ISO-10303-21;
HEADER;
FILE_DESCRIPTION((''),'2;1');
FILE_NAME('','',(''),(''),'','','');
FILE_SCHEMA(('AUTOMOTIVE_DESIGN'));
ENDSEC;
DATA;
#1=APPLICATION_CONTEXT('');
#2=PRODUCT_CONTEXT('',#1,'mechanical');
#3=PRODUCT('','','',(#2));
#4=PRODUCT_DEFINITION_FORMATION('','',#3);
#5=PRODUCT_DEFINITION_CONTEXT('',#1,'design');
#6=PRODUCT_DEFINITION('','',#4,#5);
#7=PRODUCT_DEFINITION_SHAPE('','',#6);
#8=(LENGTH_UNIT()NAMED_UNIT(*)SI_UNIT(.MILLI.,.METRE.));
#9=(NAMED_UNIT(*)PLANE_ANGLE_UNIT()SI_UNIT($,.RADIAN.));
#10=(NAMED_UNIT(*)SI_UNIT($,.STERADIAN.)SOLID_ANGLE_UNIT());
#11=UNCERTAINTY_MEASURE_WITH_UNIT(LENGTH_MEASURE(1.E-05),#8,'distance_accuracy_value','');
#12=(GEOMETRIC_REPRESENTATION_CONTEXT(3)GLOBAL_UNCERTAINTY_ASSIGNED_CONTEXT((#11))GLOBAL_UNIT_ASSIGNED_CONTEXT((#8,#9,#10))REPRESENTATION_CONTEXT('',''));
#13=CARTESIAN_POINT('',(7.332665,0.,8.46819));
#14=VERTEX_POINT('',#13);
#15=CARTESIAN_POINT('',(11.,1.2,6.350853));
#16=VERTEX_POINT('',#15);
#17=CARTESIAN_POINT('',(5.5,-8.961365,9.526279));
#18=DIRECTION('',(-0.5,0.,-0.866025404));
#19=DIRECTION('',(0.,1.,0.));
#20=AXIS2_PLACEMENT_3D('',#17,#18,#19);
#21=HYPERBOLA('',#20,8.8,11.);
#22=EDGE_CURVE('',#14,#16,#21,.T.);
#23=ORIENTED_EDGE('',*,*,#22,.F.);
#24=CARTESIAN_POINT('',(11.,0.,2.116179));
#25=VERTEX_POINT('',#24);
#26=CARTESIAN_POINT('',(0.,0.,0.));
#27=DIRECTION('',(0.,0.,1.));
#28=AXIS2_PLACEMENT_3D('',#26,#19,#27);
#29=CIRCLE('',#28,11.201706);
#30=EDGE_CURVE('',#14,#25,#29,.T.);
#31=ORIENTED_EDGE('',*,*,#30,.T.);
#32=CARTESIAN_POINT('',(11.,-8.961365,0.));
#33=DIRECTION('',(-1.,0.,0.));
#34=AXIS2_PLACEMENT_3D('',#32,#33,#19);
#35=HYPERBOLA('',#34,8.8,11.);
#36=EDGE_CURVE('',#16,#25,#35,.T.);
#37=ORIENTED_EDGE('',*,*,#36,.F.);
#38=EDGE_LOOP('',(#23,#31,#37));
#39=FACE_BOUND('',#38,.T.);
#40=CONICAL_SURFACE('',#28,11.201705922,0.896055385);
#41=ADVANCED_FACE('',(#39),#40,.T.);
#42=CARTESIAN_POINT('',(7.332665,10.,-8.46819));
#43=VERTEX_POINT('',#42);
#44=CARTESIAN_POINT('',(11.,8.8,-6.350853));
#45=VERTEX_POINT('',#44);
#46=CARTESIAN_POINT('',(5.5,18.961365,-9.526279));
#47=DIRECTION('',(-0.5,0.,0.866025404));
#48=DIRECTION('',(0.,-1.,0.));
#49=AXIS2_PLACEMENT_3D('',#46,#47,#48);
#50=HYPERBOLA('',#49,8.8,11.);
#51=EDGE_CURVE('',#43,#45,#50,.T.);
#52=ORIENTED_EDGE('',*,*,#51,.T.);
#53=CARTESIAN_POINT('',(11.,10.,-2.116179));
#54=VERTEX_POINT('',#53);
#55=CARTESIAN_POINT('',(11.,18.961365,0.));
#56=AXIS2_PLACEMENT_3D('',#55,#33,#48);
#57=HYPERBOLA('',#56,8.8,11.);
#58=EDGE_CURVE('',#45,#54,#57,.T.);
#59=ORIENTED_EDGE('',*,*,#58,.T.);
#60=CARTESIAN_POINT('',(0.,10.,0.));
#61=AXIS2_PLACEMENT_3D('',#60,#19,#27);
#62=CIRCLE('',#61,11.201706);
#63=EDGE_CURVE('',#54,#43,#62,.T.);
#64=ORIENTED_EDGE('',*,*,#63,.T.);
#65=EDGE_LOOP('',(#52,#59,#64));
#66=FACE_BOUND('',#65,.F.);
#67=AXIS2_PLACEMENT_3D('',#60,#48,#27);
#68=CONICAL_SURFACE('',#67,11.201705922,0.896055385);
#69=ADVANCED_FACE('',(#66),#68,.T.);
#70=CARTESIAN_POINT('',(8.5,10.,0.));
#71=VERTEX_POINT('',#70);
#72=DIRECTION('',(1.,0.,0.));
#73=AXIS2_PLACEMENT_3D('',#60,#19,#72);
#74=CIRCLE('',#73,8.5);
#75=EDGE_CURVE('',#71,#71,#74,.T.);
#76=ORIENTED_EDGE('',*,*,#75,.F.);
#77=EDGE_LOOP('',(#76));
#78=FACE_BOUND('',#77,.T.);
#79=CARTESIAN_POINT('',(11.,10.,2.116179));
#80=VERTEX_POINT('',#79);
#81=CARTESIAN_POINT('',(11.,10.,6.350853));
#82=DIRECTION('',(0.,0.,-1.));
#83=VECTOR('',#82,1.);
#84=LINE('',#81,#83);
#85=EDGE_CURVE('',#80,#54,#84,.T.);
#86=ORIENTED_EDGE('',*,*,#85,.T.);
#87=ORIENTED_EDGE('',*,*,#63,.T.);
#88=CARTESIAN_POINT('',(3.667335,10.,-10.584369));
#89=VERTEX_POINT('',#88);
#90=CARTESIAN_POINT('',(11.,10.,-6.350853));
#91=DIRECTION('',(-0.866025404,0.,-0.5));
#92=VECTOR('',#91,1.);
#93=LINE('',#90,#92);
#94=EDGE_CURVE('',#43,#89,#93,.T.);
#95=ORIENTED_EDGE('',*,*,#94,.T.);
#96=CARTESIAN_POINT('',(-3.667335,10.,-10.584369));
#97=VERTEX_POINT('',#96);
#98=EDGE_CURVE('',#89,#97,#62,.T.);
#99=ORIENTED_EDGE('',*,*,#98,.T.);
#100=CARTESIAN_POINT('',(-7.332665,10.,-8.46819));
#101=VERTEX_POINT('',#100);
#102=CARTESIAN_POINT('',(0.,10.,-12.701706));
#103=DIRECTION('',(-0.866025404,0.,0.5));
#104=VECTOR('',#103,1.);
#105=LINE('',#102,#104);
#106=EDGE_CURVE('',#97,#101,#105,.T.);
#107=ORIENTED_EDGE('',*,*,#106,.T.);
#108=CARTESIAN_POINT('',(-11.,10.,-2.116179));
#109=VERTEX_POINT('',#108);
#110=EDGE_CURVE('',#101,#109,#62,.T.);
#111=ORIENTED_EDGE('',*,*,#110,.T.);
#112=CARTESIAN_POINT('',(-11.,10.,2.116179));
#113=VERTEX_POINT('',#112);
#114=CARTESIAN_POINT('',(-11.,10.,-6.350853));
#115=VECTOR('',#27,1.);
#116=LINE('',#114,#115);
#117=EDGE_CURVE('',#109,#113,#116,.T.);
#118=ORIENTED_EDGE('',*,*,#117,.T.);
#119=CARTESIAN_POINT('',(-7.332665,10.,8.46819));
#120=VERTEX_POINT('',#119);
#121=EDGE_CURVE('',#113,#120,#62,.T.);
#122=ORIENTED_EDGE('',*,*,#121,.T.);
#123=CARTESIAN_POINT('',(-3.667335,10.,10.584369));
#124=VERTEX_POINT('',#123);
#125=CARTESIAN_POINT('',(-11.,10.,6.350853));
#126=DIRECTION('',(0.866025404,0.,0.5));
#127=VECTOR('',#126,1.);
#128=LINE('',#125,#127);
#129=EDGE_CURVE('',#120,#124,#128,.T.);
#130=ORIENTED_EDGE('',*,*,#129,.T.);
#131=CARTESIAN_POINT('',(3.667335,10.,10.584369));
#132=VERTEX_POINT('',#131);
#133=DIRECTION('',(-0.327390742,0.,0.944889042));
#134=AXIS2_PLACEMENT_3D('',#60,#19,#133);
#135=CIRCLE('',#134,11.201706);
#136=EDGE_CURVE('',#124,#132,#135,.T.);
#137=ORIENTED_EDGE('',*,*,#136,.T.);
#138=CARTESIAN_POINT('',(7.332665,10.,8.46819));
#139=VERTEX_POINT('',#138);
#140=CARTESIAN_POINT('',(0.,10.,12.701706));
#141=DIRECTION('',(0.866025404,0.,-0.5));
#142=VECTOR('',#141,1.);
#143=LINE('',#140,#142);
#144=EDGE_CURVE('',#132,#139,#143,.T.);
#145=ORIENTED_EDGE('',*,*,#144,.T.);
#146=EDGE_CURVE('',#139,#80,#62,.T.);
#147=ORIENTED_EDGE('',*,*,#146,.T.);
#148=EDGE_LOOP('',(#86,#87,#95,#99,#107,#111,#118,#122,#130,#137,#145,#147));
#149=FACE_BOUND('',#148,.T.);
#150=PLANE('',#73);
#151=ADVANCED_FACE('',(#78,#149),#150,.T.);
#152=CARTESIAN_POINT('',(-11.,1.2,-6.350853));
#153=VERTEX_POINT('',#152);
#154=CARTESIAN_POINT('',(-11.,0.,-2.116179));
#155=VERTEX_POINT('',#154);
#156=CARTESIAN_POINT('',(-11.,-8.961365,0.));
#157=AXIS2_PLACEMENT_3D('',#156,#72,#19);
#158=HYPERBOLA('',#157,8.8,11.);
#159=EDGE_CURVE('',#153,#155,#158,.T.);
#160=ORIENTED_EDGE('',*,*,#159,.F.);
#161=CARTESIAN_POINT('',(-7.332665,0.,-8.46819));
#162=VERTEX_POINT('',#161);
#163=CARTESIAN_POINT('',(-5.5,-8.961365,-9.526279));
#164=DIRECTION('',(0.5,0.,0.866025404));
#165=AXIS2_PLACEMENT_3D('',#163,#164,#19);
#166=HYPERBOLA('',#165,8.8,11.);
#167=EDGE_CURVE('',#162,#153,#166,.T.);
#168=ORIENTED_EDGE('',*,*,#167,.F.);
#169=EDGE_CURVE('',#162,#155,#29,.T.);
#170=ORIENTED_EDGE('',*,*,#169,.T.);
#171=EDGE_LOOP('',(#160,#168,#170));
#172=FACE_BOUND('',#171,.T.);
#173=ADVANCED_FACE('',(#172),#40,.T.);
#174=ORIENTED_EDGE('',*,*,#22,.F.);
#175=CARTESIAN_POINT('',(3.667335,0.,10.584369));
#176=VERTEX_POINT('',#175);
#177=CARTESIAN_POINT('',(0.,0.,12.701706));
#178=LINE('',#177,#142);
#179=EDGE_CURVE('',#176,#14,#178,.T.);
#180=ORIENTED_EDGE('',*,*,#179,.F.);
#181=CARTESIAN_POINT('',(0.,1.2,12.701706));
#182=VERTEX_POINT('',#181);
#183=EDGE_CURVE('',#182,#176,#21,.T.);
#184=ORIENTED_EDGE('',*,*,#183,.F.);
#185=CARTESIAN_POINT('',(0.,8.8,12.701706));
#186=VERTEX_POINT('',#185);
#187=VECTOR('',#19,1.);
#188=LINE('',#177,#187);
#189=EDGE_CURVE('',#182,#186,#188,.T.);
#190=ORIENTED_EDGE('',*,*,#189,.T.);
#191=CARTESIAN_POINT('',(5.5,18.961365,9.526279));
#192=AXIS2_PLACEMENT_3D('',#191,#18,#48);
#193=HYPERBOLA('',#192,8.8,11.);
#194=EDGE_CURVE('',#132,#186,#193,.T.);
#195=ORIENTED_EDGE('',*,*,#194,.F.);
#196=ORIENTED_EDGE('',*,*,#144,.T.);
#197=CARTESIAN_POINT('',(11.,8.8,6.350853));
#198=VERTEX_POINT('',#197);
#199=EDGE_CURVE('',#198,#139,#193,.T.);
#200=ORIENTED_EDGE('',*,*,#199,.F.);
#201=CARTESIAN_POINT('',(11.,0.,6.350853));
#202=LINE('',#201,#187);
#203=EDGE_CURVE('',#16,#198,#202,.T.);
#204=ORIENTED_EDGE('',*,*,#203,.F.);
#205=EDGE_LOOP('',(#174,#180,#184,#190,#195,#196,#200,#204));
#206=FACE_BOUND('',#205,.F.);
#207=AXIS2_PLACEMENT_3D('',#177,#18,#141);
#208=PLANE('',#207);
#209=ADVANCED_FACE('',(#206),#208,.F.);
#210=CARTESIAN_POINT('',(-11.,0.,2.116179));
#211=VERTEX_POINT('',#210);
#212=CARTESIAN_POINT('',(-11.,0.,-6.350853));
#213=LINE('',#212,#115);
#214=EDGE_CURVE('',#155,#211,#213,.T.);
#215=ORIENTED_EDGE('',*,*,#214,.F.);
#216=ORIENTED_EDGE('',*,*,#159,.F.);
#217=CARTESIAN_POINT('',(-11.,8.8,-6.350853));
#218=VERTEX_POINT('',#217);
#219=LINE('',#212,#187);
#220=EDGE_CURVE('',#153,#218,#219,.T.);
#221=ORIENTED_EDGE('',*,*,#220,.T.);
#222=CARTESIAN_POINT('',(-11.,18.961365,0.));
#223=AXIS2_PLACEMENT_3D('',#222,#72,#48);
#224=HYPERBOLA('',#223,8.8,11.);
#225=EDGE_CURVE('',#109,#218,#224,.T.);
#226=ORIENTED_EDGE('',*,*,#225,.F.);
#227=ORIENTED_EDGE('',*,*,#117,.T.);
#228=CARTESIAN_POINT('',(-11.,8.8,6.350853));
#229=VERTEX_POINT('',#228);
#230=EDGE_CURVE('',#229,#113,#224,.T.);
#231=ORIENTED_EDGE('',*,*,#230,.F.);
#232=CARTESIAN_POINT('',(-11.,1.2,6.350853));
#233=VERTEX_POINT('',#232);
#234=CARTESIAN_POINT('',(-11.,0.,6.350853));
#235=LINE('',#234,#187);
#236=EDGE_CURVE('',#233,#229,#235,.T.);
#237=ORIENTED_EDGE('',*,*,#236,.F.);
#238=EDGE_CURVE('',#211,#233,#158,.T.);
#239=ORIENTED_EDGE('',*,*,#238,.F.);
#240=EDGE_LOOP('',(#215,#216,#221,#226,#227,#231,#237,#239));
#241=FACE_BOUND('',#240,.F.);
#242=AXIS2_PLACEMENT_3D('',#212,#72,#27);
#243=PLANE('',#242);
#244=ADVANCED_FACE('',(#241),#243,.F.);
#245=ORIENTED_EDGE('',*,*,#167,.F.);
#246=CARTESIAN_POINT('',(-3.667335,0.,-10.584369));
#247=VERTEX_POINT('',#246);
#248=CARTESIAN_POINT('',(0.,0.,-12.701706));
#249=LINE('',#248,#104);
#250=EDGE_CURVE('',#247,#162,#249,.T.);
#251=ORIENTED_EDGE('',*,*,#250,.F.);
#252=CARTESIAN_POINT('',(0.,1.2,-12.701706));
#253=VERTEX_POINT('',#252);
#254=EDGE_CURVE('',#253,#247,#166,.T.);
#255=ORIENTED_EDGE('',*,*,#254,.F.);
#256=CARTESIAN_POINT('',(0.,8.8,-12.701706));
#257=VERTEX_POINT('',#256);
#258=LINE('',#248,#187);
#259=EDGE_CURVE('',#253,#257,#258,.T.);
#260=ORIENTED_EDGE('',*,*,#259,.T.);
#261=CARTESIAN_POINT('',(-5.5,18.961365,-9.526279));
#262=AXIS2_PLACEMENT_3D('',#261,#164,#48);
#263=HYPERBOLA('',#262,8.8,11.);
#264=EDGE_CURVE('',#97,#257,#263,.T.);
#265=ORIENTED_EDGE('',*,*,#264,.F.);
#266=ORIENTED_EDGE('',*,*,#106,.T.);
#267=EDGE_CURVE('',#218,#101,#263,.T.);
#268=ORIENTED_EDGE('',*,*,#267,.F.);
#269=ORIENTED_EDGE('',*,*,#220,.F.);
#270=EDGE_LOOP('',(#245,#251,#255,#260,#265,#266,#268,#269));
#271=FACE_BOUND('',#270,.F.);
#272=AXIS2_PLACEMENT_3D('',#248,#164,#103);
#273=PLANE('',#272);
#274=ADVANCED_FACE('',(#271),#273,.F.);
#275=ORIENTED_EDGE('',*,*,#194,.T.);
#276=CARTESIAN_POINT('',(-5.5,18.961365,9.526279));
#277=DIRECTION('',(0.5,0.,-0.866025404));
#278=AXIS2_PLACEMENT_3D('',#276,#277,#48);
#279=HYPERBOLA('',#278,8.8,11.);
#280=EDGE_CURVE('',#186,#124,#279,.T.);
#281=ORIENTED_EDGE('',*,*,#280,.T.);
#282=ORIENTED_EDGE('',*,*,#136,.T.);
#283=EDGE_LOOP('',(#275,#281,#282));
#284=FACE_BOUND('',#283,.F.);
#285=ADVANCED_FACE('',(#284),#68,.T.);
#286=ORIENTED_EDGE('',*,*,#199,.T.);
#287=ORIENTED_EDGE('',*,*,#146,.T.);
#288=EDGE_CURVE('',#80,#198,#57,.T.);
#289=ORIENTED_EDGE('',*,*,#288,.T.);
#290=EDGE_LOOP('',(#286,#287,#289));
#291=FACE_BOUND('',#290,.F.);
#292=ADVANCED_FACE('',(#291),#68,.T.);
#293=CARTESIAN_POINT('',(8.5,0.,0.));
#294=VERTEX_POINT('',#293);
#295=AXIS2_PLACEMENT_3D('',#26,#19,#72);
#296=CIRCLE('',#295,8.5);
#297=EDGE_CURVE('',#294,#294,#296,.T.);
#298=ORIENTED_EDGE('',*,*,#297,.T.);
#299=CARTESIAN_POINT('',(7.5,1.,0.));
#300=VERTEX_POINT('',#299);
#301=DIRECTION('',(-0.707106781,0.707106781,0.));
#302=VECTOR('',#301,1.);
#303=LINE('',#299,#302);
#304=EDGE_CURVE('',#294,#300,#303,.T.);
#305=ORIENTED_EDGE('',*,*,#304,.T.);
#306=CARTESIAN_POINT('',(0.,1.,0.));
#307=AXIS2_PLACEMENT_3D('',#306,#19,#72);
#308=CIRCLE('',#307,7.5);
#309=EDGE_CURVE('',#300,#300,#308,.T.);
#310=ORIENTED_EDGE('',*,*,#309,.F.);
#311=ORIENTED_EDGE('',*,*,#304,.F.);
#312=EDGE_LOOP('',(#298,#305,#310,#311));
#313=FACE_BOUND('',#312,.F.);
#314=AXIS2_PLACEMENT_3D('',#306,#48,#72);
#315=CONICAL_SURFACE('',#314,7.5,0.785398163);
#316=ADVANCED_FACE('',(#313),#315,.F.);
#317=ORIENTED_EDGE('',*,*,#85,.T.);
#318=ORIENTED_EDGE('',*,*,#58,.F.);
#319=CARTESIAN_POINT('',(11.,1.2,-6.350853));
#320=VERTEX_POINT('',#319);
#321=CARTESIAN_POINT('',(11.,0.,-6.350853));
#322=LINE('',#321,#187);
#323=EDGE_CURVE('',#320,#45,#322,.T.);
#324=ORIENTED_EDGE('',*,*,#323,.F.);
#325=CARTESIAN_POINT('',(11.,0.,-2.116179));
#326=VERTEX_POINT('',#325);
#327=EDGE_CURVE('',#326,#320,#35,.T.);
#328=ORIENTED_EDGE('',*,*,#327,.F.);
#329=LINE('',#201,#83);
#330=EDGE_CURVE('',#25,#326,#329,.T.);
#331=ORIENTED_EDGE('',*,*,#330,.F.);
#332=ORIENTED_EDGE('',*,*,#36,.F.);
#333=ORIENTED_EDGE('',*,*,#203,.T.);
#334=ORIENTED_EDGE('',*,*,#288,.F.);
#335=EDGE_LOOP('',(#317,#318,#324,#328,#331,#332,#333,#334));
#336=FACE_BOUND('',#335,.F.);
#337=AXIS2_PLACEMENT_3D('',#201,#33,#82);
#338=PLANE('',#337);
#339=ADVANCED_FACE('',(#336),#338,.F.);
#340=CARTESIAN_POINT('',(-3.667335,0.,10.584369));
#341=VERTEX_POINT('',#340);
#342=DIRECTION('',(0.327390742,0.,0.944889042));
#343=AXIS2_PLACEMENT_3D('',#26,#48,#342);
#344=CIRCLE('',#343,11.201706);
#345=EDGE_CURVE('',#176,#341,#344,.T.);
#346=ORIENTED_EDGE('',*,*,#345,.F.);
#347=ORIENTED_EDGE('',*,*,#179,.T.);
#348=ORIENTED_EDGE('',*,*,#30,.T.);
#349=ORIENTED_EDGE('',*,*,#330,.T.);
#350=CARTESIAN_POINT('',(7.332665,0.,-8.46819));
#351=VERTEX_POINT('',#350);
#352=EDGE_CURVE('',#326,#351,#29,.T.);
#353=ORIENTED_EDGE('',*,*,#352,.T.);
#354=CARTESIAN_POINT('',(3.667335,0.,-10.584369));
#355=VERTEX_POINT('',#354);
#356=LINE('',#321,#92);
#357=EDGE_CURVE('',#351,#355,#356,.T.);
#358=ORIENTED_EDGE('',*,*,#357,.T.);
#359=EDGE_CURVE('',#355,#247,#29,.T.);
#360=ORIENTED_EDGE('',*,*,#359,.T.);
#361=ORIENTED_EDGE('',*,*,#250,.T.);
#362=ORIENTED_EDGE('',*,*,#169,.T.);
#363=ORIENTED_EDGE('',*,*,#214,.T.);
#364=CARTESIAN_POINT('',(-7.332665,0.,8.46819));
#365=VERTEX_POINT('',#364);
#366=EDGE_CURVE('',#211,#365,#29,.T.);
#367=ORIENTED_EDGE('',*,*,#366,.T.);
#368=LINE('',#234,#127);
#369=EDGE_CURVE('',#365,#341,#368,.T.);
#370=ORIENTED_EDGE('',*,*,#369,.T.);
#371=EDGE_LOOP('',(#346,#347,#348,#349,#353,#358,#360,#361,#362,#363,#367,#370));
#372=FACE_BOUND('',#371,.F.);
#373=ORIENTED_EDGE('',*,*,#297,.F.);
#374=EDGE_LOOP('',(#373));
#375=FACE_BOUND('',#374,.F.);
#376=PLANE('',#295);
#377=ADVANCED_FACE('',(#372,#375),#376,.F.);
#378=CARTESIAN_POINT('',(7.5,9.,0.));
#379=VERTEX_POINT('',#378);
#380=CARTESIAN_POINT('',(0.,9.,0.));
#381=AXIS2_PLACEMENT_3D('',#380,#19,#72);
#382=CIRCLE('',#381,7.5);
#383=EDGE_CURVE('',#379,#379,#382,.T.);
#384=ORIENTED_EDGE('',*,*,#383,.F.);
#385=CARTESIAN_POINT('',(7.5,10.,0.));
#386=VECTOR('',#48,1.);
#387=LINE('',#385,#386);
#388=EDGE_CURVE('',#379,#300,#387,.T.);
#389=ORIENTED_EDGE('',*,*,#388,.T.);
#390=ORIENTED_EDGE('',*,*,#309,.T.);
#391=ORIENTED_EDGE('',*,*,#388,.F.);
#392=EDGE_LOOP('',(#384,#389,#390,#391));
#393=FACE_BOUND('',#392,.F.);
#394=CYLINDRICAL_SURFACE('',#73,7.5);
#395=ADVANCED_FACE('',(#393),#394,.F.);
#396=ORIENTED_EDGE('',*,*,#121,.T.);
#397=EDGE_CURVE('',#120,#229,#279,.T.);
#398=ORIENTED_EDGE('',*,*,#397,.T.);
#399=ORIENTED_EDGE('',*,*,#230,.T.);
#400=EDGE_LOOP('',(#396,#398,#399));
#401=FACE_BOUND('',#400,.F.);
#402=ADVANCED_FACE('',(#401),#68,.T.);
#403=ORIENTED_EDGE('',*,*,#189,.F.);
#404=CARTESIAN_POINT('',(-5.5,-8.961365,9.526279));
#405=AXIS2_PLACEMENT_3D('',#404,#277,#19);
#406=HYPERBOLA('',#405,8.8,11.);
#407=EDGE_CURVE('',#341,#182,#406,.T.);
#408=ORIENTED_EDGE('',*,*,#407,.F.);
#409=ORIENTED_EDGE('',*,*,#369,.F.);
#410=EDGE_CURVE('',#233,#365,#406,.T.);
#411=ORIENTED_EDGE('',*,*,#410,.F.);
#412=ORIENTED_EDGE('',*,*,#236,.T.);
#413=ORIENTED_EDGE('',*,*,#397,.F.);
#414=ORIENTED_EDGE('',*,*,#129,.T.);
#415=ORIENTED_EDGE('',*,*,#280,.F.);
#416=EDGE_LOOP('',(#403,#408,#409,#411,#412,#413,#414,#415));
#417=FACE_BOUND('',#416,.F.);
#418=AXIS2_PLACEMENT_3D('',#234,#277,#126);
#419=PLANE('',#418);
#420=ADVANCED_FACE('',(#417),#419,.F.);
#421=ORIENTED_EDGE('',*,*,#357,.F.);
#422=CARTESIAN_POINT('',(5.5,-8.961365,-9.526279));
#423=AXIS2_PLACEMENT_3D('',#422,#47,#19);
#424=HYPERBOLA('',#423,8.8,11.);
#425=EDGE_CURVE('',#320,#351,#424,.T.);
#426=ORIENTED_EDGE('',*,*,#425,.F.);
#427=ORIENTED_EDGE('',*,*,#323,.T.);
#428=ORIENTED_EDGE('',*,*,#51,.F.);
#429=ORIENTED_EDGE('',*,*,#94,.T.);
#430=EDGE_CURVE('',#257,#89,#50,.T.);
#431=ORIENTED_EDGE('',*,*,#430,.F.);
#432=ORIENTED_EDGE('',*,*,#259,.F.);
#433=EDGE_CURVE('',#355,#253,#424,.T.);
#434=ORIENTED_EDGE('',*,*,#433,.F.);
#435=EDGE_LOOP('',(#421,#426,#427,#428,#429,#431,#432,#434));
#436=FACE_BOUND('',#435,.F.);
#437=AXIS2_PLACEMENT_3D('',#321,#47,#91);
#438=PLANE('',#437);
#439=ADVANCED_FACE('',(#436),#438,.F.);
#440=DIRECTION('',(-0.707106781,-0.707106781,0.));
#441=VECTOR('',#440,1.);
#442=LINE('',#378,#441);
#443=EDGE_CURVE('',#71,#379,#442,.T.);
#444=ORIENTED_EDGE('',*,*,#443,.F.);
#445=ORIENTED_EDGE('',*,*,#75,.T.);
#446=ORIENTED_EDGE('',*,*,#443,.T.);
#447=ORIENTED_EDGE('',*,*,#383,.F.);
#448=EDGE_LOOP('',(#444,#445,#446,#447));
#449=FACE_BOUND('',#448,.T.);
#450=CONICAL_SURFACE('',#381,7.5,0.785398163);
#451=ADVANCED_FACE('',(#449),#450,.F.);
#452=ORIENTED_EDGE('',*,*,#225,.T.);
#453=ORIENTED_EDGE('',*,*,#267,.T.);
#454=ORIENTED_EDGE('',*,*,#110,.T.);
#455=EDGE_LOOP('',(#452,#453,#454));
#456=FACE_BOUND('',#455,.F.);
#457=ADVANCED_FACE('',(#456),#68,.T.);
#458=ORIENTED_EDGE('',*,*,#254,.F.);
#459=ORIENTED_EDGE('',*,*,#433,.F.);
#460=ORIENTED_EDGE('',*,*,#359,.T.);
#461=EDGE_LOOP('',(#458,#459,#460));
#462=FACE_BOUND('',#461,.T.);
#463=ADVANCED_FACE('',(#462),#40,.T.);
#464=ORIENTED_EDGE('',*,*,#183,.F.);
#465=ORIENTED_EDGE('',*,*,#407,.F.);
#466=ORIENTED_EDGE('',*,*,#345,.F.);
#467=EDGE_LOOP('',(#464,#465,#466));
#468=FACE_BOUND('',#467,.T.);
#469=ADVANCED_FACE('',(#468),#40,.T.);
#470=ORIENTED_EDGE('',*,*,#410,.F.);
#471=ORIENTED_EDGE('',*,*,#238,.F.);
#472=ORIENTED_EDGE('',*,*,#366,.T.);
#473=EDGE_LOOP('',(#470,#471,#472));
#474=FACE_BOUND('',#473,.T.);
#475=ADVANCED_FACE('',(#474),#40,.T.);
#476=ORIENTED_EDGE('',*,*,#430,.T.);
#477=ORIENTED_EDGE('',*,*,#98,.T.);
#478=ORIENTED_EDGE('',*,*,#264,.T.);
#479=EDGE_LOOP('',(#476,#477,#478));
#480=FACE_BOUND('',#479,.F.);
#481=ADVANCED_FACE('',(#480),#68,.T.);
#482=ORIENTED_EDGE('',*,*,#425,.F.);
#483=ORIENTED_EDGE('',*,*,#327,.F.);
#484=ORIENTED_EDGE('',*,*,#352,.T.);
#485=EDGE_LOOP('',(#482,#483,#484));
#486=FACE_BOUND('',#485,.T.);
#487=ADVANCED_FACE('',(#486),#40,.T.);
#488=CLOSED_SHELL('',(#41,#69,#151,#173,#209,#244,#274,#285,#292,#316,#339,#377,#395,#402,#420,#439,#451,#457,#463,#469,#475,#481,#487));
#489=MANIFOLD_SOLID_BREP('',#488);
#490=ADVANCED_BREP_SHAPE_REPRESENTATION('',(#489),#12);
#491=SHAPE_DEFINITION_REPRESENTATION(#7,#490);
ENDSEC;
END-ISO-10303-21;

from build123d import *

# Parameters (mm, degrees)
BOSS_EXTRUDE1_DEPTH = 10
SKETCH2_R           = 7.5
CUT_EXTRUDE1_DEPTH  = 11
CHAMFER1_SIZE       = 1


with BuildPart() as part:
    # Sketch1 → Boss-Extrude1 (new body)
    with BuildSketch(Plane(origin=(0, 0, 0), x_dir=(1, 0, 0), z_dir=(0, 1, 0))):
        Polygon((0, 12.701705922), (-11, 6.350852961), (-11, -6.350852961), (0, -12.701705922), (11, -6.350852961), (11, 6.350852961), align=None)
    extrude(amount=BOSS_EXTRUDE1_DEPTH)

    # Sketch2 → Cut-Extrude1 (cut, through all)
    with BuildSketch(Plane(origin=(0, 10, 0), x_dir=(1, 0, 0), z_dir=(0, 1, 0))):
        Circle(SKETCH2_R)
    extrude(amount=-CUT_EXTRUDE1_DEPTH, mode=Mode.SUBTRACT)

    # Chamfer1
    chamfer1_edges = [part.edges().sort_by_distance(p)[0] for p in [
        (-7.5, 0, 0),
        (-7.5, 10, 0),
    ]]
    chamfer(chamfer1_edges, length=CHAMFER1_SIZE)

    # Sketch3 → Cut-Revolve1 (revolve, cut)
    with BuildSketch(Plane(origin=(0, 0, 0), x_dir=(0, 0, -1), z_dir=(1, 0, 0))):
        Polygon((-12.701705922, 10), (-11.201705922, 10), (-12.701705922, 8.8), align=None)
        Polygon((-12.701705922, 1.2), (-12.701705922, 0), (-11.201705922, 0), align=None)
    revolve(axis=Axis((0, 0, 0), (0, 1, 0)), mode=Mode.SUBTRACT)


solid = part.part
